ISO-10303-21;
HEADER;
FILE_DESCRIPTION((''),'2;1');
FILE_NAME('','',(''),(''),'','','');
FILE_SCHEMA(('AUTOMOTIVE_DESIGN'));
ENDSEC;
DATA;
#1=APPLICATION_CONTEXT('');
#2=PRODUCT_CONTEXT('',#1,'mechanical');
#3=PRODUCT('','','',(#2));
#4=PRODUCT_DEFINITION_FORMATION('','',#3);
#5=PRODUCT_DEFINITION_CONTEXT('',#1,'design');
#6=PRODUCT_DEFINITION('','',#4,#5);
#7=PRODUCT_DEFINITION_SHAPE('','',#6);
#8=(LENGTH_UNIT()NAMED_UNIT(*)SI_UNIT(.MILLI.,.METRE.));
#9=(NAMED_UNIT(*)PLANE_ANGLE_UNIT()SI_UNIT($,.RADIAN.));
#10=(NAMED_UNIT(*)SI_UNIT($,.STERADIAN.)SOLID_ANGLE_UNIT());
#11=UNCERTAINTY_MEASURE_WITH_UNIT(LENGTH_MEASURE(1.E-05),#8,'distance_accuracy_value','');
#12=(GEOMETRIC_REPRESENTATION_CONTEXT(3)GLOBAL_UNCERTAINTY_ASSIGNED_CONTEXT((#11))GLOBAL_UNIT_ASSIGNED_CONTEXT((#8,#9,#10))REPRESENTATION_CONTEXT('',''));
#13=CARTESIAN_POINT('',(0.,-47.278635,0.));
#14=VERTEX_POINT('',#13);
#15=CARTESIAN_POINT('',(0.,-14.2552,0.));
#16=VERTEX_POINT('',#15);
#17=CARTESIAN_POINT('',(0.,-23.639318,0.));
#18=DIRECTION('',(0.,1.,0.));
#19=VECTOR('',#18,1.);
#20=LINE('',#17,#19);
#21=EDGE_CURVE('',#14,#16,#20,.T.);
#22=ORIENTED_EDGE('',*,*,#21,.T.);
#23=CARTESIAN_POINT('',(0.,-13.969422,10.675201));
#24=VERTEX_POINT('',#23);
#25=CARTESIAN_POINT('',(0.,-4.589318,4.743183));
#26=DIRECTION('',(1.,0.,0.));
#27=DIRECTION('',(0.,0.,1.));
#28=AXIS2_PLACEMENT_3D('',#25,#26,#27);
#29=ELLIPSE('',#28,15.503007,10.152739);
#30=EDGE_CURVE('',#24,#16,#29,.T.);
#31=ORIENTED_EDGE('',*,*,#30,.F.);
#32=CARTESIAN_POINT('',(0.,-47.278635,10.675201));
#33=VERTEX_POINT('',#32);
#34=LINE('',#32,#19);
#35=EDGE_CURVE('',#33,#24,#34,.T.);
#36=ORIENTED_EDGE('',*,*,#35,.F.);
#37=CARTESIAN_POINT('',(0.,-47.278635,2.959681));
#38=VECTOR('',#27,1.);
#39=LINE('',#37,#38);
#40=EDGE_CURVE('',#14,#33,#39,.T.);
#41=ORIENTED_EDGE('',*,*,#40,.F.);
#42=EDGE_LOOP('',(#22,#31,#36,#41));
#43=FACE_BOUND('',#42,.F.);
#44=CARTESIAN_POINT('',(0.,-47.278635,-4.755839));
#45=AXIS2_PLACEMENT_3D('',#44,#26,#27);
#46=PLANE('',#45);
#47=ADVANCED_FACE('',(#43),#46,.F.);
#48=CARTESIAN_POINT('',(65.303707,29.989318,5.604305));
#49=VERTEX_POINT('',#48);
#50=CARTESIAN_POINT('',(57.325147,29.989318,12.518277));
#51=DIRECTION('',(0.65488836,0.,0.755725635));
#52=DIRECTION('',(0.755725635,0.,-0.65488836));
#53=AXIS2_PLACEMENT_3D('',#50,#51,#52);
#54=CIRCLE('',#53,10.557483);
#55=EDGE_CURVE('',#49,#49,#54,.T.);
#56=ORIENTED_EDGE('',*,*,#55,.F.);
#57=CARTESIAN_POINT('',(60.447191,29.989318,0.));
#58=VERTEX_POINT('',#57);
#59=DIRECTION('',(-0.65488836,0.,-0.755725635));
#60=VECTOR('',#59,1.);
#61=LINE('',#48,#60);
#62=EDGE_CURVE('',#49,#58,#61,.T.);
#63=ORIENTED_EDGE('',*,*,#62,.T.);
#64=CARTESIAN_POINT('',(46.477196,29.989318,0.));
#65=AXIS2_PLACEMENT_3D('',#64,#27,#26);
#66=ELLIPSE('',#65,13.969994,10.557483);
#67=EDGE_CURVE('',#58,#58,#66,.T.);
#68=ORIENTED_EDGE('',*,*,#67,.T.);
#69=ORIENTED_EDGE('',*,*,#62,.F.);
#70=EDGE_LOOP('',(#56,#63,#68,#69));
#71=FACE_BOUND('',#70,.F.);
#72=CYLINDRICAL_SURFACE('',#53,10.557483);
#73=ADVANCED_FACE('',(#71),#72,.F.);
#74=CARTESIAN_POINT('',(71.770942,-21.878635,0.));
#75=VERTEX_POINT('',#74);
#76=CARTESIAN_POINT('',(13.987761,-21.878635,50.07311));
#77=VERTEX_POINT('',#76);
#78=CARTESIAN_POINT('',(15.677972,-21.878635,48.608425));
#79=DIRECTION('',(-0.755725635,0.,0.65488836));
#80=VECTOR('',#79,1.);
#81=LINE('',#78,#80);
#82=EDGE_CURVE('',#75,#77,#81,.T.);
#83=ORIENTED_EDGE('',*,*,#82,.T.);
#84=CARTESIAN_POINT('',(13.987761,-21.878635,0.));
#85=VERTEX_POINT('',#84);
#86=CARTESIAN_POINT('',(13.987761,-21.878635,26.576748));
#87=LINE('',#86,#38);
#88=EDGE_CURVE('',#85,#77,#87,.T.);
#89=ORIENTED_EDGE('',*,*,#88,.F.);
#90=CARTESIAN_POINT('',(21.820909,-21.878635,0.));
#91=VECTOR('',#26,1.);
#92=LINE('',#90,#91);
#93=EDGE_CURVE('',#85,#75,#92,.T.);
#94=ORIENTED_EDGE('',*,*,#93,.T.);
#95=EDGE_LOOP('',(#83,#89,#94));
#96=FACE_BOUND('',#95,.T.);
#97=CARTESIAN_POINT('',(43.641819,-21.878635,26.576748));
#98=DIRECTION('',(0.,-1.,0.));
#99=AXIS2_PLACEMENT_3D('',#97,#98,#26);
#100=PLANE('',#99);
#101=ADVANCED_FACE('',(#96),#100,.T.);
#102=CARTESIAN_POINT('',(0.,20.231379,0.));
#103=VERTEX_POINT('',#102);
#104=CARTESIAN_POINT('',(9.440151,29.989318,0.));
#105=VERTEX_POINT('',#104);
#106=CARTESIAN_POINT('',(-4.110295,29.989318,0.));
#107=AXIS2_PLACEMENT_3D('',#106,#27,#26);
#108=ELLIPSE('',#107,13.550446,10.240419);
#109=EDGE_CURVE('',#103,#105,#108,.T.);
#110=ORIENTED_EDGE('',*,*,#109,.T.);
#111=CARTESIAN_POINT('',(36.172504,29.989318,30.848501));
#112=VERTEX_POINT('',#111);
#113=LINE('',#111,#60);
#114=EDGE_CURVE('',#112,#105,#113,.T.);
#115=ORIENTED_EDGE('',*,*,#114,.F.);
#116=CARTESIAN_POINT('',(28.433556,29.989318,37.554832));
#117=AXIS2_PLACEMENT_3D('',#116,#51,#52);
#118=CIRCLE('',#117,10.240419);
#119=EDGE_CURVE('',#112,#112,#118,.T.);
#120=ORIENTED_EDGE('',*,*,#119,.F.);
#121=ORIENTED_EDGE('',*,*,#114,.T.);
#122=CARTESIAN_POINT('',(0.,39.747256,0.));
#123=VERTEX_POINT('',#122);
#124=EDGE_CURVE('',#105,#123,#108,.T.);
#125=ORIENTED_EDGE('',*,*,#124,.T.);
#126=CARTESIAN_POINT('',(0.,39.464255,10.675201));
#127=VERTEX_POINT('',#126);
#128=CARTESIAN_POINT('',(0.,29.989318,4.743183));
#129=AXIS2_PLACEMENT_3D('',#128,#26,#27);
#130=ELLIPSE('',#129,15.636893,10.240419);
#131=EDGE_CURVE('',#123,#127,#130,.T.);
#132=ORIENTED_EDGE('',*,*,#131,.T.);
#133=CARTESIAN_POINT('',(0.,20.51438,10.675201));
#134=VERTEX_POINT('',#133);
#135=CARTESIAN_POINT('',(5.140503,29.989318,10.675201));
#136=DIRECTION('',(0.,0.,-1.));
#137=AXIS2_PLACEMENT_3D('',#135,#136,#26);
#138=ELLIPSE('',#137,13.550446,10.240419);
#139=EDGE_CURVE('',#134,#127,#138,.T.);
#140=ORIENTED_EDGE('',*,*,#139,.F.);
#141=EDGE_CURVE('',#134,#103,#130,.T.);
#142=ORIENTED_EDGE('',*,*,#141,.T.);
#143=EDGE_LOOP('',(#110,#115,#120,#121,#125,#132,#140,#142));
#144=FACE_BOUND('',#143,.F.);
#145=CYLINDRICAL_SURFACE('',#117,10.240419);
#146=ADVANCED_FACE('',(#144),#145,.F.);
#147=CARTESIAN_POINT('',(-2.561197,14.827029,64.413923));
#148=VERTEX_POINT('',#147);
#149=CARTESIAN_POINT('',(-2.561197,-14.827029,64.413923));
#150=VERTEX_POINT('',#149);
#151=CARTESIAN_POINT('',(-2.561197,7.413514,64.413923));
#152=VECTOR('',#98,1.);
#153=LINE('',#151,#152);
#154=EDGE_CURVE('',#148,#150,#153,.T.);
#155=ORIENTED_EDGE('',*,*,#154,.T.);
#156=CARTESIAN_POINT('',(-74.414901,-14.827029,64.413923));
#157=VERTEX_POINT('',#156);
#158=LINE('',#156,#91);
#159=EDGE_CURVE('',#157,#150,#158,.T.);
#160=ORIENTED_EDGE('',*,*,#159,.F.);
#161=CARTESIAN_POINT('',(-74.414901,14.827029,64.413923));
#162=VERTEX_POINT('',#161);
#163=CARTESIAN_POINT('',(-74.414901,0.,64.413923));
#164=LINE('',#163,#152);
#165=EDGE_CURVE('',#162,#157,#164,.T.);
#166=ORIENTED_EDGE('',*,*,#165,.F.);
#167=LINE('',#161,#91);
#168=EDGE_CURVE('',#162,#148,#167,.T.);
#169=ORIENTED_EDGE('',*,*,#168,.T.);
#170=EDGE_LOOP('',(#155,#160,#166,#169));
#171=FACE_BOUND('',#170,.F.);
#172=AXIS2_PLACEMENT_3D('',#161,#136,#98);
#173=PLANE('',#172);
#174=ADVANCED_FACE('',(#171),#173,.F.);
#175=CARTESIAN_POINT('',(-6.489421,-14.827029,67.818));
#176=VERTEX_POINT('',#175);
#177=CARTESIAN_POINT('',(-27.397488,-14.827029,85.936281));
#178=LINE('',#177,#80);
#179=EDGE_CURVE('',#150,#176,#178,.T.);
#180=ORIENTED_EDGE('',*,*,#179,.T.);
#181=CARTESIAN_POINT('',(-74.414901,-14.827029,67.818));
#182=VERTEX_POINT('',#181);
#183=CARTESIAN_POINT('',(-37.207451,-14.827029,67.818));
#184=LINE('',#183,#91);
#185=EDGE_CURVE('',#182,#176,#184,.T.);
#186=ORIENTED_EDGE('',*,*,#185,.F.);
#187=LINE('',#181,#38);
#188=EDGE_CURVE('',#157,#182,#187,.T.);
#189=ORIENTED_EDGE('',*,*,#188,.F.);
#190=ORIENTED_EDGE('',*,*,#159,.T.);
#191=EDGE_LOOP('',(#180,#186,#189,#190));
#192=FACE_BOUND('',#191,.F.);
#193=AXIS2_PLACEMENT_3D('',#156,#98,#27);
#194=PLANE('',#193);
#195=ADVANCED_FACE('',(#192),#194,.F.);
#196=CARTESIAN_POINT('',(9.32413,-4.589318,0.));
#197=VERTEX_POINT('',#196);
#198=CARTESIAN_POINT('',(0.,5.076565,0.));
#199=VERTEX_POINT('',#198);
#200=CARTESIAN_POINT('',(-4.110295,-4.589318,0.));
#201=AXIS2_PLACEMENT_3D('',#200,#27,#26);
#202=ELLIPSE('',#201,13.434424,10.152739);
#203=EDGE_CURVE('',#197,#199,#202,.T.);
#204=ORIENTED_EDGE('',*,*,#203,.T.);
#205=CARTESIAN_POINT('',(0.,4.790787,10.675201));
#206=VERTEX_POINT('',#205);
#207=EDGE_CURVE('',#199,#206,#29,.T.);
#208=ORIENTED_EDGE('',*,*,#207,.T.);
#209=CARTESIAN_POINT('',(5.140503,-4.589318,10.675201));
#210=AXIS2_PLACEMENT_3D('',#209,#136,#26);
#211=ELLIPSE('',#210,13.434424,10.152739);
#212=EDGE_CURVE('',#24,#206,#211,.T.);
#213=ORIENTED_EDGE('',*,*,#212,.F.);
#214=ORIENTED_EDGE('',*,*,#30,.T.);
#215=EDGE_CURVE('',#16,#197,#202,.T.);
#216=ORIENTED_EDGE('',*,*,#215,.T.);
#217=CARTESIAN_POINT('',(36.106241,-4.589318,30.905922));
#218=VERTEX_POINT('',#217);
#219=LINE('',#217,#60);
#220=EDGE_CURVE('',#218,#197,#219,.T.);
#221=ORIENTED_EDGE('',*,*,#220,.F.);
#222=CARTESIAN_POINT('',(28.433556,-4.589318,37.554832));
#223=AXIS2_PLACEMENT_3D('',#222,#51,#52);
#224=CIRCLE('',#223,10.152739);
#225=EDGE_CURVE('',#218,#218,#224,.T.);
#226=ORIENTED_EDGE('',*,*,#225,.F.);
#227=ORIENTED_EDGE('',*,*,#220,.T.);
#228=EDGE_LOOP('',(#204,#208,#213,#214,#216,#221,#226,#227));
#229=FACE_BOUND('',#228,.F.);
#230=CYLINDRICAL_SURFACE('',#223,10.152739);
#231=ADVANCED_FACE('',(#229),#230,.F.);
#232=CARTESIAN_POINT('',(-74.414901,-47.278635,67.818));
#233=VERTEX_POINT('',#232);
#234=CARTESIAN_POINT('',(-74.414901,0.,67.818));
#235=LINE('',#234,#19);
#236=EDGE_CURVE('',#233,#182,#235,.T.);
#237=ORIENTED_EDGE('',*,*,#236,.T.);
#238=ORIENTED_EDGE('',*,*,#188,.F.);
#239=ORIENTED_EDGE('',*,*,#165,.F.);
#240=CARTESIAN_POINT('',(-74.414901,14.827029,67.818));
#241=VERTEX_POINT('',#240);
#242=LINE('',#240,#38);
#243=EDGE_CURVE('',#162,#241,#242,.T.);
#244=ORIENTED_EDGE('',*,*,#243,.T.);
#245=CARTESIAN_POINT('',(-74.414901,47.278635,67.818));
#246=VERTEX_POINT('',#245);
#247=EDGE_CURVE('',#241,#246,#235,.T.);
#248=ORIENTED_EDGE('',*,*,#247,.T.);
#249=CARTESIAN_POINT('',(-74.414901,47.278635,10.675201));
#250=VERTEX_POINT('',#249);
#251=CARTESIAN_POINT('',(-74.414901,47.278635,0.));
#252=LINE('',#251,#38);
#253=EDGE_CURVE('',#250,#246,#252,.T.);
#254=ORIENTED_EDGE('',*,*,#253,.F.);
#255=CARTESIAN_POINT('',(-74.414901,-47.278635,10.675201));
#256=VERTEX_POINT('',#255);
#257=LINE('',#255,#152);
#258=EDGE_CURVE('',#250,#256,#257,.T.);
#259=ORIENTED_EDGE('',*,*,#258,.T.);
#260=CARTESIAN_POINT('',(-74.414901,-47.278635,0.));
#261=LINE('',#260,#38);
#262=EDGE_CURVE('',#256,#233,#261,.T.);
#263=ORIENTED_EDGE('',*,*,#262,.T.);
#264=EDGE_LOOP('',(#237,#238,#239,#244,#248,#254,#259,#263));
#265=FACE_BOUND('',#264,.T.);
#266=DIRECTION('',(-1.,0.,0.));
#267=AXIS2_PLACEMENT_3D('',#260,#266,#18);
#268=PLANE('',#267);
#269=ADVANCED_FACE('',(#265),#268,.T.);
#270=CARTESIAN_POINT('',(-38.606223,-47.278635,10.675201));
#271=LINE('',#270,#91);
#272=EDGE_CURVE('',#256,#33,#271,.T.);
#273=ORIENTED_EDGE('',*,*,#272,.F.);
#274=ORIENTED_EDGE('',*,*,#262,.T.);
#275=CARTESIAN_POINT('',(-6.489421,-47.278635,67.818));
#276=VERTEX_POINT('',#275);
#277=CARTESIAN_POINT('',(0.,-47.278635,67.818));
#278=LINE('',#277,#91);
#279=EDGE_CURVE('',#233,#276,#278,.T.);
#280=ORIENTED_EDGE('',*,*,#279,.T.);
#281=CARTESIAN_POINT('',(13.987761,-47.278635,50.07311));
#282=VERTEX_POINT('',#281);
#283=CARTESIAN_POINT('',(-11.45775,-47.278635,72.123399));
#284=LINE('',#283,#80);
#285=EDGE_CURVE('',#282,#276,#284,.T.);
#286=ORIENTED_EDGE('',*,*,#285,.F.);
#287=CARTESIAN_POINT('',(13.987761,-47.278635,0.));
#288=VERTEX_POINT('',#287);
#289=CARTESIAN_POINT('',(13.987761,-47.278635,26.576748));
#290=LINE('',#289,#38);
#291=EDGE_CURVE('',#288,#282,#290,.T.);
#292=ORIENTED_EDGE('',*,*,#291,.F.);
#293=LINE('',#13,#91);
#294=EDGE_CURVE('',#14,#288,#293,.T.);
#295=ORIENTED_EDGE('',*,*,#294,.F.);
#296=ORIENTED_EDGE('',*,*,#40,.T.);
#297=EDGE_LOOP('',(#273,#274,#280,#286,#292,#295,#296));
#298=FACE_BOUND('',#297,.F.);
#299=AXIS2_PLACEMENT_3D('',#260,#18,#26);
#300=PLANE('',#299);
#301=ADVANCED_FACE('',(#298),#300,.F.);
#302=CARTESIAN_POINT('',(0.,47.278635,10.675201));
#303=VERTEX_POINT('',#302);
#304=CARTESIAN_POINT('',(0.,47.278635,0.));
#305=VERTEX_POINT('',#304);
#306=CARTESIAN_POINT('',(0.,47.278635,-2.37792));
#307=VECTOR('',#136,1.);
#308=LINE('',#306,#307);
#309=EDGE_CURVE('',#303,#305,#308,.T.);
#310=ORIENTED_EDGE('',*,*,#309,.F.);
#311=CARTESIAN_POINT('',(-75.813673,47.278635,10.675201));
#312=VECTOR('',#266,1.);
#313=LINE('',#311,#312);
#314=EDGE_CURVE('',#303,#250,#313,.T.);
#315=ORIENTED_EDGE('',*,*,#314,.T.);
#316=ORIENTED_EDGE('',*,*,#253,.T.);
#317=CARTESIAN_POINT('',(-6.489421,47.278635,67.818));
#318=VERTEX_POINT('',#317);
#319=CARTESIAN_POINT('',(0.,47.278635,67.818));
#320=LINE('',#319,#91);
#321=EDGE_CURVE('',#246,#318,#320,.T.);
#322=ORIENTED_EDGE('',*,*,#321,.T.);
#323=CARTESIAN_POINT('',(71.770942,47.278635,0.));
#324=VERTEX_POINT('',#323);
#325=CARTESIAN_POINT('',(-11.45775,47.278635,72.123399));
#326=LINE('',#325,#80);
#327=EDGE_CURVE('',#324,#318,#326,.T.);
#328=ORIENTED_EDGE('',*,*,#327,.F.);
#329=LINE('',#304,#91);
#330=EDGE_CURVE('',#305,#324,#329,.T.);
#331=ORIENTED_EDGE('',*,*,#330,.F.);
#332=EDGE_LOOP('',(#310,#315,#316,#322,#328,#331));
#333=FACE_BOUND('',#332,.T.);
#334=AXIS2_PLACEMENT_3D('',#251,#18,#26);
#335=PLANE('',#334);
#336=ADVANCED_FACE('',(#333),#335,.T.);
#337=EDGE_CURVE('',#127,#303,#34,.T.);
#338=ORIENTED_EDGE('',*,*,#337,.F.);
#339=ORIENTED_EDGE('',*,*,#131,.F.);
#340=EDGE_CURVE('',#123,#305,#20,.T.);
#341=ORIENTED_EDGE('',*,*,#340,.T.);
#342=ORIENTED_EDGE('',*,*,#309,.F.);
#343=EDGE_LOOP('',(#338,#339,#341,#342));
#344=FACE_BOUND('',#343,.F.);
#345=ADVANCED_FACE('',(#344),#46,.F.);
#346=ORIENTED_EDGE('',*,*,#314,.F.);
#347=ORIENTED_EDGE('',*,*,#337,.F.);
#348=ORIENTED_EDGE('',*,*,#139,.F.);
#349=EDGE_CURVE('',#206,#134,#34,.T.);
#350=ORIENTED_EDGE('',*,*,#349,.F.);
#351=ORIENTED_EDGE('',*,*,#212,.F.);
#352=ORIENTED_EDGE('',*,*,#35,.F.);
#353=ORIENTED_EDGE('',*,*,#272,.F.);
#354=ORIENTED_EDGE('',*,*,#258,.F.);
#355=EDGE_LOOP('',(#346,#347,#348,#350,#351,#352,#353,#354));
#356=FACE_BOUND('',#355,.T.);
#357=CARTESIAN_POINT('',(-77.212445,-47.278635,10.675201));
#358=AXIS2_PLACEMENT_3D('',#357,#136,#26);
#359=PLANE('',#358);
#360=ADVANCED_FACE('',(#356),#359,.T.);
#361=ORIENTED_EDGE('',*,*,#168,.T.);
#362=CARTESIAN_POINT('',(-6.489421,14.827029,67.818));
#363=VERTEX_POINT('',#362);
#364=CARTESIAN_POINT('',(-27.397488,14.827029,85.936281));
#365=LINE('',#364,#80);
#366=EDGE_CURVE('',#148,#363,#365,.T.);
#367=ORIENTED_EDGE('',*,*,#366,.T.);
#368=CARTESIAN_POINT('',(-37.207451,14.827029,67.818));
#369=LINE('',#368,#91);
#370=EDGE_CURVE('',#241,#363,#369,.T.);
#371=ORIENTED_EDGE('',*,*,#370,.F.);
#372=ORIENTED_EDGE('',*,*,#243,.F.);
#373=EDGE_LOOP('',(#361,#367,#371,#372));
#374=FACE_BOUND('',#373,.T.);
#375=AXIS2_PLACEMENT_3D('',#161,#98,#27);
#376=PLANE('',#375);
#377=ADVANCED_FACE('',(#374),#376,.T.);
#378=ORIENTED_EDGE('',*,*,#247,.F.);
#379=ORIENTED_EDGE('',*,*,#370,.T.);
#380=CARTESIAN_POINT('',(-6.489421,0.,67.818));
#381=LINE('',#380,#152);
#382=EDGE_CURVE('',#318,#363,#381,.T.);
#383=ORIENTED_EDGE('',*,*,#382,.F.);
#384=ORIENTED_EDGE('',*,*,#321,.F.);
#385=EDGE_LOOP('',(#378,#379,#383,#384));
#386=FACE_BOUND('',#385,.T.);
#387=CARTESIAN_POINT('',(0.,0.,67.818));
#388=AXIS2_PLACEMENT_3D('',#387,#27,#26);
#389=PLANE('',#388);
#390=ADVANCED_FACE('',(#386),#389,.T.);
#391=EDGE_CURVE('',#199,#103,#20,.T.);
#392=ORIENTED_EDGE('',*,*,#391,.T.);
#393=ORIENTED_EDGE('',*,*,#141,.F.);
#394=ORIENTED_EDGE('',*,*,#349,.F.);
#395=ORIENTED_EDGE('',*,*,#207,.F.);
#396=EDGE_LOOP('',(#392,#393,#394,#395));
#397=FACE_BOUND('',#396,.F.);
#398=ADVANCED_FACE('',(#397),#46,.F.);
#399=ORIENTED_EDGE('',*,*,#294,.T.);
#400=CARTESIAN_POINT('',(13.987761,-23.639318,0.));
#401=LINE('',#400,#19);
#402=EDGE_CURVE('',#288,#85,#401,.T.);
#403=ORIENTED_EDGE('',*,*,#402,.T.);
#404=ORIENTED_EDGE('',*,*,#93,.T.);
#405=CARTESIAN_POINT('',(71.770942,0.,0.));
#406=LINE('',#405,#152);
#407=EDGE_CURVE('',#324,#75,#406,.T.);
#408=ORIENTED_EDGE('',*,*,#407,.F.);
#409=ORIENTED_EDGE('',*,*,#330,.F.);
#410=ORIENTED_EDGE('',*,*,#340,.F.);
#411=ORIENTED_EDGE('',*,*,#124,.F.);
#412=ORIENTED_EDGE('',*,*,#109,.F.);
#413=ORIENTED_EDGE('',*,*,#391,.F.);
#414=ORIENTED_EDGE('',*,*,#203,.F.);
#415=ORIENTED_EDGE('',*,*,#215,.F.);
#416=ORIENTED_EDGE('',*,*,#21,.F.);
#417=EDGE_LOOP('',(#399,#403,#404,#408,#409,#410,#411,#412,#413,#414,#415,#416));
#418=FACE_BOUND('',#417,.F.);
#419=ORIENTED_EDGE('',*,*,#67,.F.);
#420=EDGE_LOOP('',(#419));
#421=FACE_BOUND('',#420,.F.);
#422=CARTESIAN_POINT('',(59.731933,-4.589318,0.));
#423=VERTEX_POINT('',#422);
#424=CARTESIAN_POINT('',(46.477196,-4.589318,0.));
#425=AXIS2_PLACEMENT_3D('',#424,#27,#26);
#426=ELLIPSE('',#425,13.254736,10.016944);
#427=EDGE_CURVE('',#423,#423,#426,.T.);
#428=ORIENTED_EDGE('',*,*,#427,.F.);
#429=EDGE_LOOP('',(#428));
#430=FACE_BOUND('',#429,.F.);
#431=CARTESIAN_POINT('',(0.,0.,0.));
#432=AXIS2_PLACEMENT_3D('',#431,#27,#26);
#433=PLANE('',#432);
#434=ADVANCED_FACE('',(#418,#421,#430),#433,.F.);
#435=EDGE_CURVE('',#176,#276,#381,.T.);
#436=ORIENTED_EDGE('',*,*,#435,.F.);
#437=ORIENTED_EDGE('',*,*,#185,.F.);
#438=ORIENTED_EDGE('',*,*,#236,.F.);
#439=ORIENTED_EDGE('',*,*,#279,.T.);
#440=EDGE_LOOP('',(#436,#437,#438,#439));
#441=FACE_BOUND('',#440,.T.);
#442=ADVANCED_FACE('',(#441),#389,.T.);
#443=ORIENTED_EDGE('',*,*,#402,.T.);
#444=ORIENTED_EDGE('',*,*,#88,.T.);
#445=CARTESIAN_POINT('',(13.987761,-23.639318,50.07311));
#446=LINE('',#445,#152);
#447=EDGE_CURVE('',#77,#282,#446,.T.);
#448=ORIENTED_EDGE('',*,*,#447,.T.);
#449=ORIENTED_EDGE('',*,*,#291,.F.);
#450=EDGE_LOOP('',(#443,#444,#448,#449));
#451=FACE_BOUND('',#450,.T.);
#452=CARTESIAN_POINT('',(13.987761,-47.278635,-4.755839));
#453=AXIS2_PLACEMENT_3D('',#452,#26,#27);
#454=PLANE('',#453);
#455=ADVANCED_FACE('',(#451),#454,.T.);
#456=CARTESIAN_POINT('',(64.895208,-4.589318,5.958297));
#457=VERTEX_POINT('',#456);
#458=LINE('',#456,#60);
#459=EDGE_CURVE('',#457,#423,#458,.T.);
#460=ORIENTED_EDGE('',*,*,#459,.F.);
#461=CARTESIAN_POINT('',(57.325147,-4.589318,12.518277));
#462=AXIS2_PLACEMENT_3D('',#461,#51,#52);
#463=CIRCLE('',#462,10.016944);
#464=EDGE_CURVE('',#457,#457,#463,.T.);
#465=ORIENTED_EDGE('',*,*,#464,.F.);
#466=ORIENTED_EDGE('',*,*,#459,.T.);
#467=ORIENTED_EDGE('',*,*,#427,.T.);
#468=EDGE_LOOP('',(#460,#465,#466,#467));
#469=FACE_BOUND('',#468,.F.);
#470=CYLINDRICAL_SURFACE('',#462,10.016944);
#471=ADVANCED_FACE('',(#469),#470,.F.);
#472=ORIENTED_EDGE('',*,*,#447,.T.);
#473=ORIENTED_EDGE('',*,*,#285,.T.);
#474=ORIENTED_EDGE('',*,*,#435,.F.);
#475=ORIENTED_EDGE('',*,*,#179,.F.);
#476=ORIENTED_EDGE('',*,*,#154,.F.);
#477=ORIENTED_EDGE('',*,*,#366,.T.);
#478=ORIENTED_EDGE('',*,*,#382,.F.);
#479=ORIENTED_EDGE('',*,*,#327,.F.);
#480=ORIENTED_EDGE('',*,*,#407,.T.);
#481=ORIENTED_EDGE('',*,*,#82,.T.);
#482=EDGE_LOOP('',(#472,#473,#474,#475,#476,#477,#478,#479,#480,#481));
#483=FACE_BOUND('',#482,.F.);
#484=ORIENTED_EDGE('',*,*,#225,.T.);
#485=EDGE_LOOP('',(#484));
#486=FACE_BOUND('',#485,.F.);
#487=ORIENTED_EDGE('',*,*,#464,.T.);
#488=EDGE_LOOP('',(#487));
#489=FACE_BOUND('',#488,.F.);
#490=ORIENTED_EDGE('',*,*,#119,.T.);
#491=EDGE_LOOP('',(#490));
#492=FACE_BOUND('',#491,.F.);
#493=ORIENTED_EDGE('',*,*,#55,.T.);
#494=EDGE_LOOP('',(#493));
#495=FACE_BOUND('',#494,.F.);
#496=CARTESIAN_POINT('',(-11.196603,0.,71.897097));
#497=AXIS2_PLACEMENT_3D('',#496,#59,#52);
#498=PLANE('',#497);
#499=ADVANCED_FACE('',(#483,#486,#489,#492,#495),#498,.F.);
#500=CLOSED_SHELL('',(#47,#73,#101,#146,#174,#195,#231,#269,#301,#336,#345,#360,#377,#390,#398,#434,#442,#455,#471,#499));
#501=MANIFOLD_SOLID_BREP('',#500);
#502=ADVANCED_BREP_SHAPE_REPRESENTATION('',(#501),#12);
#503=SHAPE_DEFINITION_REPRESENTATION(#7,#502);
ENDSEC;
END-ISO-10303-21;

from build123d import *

# Parameters (mm, degrees)
F0_W      = 148.8298028708
F0_H      = 94.5572704077
F1_DEPTH  = 67.818
F3_DEPTH  = 63.5
F4_W      = 77.2124454379
F4_H      = 15.4310404323
F5_DEPTH  = 100.33
F6_W      = 59.3081153929
F6_H      = 62.6651751809
F7_DEPTH  = 25.4
F8_W      = 29.6540576965
F8_H      = 6.8081544653
F9_DEPTH  = 87.122
F10_R     = 10.1527389167
F10_R_2   = 10.0169439882
F10_R_3   = 10.557482782
F10_R_4   = 10.2404194945
F11_DEPTH = 107.696


with BuildPart() as f1:
    # F0 (on Top) → F1 (new body)
    with BuildSketch(Plane.XY):
        Rectangle(F0_W, F0_H)
    extrude(amount=F1_DEPTH)

    # F2 (on Front) → F3 (cut, symmetric)
    with BuildSketch(Plane.XZ):
        Polygon((83.3928560285, 71.8970969319), (-11.1966025054, 71.8970969319), (83.3928560285, -10.0711896084), align=None)
    extrude(amount=F3_DEPTH, both=True, mode=Mode.SUBTRACT)

    # F4 (on face) → F5 (cut)
    with BuildSketch(Plane.XZ.offset(47.2786352038)):
        with Locations((-38.606222719, 2.9596809763)):
            Rectangle(F4_W, F4_H)
    extrude(amount=-F5_DEPTH, mode=Mode.SUBTRACT)

    # F6 (on face) → F7 (cut)
    with BuildSketch(Plane.XZ.offset(47.2786352038)):
        with Locations((43.6418186873, 26.5767483506)):
            Rectangle(F6_W, F6_H)
    extrude(amount=-F7_DEPTH, mode=Mode.SUBTRACT)

    # F8 (on face) → F9 (cut)
    with BuildSketch(Plane(origin=(-74.4149014354, 0, 0), x_dir=(0, -1, 0), z_dir=(-1, 0, 0))):
        with Locations((0, 67.818)):
            Rectangle(F8_W, F8_H)
    extrude(amount=-F9_DEPTH, mode=Mode.SUBTRACT)

    # F10 (on face) → F11 (cut)
    with BuildSketch(Plane(origin=(30.781032969, 0, 35.5205819779), x_dir=(0.7557256351, 0, -0.6548883603), z_dir=(0.6548883603, 0, 0.7557256351))):
        with Locations((-3.1062552259, -4.5893176019)):
            Circle(F10_R)
        with Locations((35.1240087858, -4.5893176019)):
            Circle(F10_R_2)
        with Locations((35.1240087858, 29.9893176019)):
            Circle(F10_R_3)
        with Locations((-3.1062552259, 29.9893176019)):
            Circle(F10_R_4)
    extrude(amount=-F11_DEPTH, mode=Mode.SUBTRACT)


solid = f1.part
